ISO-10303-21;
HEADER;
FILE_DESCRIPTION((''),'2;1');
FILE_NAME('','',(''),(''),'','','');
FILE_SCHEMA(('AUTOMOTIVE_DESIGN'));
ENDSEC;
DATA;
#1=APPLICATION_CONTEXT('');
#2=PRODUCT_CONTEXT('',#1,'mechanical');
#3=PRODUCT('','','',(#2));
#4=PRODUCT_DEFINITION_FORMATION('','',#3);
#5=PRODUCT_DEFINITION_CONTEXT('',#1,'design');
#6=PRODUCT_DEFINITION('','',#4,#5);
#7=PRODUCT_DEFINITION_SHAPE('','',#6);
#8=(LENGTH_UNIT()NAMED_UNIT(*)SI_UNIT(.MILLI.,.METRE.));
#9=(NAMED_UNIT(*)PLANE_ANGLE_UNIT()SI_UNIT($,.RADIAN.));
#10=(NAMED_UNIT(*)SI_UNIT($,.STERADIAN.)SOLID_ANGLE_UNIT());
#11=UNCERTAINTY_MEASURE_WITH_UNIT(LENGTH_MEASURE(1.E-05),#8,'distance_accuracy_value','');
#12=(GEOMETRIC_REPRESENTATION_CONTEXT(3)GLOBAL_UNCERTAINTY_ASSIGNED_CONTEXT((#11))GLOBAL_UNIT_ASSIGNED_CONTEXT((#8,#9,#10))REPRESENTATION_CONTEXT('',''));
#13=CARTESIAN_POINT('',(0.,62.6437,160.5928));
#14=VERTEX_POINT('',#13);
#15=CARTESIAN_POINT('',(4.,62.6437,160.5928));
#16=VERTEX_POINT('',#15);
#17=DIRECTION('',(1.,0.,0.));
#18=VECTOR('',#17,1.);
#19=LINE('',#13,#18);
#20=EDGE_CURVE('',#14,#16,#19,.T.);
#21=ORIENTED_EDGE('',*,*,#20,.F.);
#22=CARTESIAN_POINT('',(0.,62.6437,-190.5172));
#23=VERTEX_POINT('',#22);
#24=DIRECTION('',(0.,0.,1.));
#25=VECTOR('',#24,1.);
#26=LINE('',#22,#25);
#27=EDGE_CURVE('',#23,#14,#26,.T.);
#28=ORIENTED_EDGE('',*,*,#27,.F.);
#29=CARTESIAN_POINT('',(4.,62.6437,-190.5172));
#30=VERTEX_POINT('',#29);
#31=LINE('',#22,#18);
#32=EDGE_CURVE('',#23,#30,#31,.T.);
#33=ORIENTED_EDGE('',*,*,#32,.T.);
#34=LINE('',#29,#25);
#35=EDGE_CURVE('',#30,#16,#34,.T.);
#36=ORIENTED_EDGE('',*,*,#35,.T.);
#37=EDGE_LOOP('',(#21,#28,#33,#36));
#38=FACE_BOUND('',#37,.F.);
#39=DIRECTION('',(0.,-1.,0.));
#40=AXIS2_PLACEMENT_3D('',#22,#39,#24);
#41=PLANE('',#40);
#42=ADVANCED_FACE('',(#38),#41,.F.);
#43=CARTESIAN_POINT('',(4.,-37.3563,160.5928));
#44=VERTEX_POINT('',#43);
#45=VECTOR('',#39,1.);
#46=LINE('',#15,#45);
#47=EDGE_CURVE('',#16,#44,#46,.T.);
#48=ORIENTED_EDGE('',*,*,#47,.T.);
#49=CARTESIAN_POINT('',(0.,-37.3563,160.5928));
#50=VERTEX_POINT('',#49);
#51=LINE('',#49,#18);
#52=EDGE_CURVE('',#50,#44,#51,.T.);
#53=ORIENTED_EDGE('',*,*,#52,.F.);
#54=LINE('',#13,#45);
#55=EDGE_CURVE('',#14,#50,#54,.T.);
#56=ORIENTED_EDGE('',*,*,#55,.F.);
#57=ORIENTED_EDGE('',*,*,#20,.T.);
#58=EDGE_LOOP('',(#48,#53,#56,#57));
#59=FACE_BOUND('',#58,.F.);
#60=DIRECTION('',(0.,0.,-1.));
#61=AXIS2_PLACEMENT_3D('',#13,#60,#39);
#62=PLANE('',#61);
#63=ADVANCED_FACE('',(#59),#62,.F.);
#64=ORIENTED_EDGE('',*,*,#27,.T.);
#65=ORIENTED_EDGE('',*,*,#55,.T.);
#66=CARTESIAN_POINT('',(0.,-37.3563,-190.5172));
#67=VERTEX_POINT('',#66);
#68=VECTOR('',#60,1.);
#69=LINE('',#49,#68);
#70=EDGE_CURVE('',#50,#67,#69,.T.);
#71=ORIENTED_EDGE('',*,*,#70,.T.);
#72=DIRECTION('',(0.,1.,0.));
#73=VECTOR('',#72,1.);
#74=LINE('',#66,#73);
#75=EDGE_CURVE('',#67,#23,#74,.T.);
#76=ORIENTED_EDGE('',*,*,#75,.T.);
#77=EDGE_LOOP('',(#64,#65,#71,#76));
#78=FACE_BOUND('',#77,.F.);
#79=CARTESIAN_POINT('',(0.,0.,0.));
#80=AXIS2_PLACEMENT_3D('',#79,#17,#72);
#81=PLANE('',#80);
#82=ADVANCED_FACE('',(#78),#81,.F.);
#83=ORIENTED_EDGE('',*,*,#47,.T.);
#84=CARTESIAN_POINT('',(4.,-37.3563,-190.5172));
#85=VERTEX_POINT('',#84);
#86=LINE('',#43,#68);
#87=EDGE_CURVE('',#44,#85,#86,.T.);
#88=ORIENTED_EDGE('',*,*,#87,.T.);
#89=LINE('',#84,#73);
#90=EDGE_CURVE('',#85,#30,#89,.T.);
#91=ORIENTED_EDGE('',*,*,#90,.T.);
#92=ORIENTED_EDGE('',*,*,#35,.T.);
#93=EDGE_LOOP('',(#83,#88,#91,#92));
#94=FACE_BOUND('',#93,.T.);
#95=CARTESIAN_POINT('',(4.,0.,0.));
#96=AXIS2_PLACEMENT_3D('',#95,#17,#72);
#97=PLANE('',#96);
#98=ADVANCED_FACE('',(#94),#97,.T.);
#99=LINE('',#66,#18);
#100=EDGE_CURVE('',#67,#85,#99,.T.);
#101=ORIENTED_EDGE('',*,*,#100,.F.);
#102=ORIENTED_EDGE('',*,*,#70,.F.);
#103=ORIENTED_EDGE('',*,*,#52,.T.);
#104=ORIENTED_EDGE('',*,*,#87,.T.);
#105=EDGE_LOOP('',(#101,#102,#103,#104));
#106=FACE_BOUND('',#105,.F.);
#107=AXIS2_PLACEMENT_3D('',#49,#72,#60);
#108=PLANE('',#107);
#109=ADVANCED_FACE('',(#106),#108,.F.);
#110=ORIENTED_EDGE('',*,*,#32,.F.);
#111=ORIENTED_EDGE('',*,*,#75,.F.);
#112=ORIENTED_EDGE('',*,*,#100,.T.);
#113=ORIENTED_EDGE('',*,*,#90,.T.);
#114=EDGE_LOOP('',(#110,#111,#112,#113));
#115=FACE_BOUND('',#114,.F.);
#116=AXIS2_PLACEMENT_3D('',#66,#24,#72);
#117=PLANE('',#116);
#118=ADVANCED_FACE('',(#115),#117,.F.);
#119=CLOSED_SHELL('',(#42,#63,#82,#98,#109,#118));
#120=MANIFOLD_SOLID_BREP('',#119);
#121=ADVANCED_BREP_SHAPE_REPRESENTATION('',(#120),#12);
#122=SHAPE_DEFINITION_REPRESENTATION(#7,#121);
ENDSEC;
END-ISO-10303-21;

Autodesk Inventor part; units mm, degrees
ref_plane "YZ Plane" through (0, 0, 0) normal (1, 0, 0) x (0, 1, 0)
ref_plane "XZ Plane" through (0, 0, 0) normal (0, 1, 0) x (-1, 0, 0)
ref_plane "XY Plane" through (0, 0, 0) normal (0, 0, 1) x (1, 0, 0)
sketch "Sketch1" plane through (0, 0, 0) normal (1, 0, 0) x (0, 1, 0)
  line L0 (62.6437, 160.5928) -> (-37.3563, 160.5928)
  line L1 (-37.3563, 160.5928) -> (-37.3563, -190.5172)
  line L2 (-37.3563, -190.5172) -> (62.6437, -190.5172)
  line L3 (62.6437, -190.5172) -> (62.6437, 160.5928)
  point P0 (0, 0)
  dimension "d0" = 100
  dimension "d1" = 351.11
extrude "Extrusion1" add sketch "Sketch1" along normal blind 4
properties part number "Edge Band - Platform C Flat" material "Wood (Birch)"
